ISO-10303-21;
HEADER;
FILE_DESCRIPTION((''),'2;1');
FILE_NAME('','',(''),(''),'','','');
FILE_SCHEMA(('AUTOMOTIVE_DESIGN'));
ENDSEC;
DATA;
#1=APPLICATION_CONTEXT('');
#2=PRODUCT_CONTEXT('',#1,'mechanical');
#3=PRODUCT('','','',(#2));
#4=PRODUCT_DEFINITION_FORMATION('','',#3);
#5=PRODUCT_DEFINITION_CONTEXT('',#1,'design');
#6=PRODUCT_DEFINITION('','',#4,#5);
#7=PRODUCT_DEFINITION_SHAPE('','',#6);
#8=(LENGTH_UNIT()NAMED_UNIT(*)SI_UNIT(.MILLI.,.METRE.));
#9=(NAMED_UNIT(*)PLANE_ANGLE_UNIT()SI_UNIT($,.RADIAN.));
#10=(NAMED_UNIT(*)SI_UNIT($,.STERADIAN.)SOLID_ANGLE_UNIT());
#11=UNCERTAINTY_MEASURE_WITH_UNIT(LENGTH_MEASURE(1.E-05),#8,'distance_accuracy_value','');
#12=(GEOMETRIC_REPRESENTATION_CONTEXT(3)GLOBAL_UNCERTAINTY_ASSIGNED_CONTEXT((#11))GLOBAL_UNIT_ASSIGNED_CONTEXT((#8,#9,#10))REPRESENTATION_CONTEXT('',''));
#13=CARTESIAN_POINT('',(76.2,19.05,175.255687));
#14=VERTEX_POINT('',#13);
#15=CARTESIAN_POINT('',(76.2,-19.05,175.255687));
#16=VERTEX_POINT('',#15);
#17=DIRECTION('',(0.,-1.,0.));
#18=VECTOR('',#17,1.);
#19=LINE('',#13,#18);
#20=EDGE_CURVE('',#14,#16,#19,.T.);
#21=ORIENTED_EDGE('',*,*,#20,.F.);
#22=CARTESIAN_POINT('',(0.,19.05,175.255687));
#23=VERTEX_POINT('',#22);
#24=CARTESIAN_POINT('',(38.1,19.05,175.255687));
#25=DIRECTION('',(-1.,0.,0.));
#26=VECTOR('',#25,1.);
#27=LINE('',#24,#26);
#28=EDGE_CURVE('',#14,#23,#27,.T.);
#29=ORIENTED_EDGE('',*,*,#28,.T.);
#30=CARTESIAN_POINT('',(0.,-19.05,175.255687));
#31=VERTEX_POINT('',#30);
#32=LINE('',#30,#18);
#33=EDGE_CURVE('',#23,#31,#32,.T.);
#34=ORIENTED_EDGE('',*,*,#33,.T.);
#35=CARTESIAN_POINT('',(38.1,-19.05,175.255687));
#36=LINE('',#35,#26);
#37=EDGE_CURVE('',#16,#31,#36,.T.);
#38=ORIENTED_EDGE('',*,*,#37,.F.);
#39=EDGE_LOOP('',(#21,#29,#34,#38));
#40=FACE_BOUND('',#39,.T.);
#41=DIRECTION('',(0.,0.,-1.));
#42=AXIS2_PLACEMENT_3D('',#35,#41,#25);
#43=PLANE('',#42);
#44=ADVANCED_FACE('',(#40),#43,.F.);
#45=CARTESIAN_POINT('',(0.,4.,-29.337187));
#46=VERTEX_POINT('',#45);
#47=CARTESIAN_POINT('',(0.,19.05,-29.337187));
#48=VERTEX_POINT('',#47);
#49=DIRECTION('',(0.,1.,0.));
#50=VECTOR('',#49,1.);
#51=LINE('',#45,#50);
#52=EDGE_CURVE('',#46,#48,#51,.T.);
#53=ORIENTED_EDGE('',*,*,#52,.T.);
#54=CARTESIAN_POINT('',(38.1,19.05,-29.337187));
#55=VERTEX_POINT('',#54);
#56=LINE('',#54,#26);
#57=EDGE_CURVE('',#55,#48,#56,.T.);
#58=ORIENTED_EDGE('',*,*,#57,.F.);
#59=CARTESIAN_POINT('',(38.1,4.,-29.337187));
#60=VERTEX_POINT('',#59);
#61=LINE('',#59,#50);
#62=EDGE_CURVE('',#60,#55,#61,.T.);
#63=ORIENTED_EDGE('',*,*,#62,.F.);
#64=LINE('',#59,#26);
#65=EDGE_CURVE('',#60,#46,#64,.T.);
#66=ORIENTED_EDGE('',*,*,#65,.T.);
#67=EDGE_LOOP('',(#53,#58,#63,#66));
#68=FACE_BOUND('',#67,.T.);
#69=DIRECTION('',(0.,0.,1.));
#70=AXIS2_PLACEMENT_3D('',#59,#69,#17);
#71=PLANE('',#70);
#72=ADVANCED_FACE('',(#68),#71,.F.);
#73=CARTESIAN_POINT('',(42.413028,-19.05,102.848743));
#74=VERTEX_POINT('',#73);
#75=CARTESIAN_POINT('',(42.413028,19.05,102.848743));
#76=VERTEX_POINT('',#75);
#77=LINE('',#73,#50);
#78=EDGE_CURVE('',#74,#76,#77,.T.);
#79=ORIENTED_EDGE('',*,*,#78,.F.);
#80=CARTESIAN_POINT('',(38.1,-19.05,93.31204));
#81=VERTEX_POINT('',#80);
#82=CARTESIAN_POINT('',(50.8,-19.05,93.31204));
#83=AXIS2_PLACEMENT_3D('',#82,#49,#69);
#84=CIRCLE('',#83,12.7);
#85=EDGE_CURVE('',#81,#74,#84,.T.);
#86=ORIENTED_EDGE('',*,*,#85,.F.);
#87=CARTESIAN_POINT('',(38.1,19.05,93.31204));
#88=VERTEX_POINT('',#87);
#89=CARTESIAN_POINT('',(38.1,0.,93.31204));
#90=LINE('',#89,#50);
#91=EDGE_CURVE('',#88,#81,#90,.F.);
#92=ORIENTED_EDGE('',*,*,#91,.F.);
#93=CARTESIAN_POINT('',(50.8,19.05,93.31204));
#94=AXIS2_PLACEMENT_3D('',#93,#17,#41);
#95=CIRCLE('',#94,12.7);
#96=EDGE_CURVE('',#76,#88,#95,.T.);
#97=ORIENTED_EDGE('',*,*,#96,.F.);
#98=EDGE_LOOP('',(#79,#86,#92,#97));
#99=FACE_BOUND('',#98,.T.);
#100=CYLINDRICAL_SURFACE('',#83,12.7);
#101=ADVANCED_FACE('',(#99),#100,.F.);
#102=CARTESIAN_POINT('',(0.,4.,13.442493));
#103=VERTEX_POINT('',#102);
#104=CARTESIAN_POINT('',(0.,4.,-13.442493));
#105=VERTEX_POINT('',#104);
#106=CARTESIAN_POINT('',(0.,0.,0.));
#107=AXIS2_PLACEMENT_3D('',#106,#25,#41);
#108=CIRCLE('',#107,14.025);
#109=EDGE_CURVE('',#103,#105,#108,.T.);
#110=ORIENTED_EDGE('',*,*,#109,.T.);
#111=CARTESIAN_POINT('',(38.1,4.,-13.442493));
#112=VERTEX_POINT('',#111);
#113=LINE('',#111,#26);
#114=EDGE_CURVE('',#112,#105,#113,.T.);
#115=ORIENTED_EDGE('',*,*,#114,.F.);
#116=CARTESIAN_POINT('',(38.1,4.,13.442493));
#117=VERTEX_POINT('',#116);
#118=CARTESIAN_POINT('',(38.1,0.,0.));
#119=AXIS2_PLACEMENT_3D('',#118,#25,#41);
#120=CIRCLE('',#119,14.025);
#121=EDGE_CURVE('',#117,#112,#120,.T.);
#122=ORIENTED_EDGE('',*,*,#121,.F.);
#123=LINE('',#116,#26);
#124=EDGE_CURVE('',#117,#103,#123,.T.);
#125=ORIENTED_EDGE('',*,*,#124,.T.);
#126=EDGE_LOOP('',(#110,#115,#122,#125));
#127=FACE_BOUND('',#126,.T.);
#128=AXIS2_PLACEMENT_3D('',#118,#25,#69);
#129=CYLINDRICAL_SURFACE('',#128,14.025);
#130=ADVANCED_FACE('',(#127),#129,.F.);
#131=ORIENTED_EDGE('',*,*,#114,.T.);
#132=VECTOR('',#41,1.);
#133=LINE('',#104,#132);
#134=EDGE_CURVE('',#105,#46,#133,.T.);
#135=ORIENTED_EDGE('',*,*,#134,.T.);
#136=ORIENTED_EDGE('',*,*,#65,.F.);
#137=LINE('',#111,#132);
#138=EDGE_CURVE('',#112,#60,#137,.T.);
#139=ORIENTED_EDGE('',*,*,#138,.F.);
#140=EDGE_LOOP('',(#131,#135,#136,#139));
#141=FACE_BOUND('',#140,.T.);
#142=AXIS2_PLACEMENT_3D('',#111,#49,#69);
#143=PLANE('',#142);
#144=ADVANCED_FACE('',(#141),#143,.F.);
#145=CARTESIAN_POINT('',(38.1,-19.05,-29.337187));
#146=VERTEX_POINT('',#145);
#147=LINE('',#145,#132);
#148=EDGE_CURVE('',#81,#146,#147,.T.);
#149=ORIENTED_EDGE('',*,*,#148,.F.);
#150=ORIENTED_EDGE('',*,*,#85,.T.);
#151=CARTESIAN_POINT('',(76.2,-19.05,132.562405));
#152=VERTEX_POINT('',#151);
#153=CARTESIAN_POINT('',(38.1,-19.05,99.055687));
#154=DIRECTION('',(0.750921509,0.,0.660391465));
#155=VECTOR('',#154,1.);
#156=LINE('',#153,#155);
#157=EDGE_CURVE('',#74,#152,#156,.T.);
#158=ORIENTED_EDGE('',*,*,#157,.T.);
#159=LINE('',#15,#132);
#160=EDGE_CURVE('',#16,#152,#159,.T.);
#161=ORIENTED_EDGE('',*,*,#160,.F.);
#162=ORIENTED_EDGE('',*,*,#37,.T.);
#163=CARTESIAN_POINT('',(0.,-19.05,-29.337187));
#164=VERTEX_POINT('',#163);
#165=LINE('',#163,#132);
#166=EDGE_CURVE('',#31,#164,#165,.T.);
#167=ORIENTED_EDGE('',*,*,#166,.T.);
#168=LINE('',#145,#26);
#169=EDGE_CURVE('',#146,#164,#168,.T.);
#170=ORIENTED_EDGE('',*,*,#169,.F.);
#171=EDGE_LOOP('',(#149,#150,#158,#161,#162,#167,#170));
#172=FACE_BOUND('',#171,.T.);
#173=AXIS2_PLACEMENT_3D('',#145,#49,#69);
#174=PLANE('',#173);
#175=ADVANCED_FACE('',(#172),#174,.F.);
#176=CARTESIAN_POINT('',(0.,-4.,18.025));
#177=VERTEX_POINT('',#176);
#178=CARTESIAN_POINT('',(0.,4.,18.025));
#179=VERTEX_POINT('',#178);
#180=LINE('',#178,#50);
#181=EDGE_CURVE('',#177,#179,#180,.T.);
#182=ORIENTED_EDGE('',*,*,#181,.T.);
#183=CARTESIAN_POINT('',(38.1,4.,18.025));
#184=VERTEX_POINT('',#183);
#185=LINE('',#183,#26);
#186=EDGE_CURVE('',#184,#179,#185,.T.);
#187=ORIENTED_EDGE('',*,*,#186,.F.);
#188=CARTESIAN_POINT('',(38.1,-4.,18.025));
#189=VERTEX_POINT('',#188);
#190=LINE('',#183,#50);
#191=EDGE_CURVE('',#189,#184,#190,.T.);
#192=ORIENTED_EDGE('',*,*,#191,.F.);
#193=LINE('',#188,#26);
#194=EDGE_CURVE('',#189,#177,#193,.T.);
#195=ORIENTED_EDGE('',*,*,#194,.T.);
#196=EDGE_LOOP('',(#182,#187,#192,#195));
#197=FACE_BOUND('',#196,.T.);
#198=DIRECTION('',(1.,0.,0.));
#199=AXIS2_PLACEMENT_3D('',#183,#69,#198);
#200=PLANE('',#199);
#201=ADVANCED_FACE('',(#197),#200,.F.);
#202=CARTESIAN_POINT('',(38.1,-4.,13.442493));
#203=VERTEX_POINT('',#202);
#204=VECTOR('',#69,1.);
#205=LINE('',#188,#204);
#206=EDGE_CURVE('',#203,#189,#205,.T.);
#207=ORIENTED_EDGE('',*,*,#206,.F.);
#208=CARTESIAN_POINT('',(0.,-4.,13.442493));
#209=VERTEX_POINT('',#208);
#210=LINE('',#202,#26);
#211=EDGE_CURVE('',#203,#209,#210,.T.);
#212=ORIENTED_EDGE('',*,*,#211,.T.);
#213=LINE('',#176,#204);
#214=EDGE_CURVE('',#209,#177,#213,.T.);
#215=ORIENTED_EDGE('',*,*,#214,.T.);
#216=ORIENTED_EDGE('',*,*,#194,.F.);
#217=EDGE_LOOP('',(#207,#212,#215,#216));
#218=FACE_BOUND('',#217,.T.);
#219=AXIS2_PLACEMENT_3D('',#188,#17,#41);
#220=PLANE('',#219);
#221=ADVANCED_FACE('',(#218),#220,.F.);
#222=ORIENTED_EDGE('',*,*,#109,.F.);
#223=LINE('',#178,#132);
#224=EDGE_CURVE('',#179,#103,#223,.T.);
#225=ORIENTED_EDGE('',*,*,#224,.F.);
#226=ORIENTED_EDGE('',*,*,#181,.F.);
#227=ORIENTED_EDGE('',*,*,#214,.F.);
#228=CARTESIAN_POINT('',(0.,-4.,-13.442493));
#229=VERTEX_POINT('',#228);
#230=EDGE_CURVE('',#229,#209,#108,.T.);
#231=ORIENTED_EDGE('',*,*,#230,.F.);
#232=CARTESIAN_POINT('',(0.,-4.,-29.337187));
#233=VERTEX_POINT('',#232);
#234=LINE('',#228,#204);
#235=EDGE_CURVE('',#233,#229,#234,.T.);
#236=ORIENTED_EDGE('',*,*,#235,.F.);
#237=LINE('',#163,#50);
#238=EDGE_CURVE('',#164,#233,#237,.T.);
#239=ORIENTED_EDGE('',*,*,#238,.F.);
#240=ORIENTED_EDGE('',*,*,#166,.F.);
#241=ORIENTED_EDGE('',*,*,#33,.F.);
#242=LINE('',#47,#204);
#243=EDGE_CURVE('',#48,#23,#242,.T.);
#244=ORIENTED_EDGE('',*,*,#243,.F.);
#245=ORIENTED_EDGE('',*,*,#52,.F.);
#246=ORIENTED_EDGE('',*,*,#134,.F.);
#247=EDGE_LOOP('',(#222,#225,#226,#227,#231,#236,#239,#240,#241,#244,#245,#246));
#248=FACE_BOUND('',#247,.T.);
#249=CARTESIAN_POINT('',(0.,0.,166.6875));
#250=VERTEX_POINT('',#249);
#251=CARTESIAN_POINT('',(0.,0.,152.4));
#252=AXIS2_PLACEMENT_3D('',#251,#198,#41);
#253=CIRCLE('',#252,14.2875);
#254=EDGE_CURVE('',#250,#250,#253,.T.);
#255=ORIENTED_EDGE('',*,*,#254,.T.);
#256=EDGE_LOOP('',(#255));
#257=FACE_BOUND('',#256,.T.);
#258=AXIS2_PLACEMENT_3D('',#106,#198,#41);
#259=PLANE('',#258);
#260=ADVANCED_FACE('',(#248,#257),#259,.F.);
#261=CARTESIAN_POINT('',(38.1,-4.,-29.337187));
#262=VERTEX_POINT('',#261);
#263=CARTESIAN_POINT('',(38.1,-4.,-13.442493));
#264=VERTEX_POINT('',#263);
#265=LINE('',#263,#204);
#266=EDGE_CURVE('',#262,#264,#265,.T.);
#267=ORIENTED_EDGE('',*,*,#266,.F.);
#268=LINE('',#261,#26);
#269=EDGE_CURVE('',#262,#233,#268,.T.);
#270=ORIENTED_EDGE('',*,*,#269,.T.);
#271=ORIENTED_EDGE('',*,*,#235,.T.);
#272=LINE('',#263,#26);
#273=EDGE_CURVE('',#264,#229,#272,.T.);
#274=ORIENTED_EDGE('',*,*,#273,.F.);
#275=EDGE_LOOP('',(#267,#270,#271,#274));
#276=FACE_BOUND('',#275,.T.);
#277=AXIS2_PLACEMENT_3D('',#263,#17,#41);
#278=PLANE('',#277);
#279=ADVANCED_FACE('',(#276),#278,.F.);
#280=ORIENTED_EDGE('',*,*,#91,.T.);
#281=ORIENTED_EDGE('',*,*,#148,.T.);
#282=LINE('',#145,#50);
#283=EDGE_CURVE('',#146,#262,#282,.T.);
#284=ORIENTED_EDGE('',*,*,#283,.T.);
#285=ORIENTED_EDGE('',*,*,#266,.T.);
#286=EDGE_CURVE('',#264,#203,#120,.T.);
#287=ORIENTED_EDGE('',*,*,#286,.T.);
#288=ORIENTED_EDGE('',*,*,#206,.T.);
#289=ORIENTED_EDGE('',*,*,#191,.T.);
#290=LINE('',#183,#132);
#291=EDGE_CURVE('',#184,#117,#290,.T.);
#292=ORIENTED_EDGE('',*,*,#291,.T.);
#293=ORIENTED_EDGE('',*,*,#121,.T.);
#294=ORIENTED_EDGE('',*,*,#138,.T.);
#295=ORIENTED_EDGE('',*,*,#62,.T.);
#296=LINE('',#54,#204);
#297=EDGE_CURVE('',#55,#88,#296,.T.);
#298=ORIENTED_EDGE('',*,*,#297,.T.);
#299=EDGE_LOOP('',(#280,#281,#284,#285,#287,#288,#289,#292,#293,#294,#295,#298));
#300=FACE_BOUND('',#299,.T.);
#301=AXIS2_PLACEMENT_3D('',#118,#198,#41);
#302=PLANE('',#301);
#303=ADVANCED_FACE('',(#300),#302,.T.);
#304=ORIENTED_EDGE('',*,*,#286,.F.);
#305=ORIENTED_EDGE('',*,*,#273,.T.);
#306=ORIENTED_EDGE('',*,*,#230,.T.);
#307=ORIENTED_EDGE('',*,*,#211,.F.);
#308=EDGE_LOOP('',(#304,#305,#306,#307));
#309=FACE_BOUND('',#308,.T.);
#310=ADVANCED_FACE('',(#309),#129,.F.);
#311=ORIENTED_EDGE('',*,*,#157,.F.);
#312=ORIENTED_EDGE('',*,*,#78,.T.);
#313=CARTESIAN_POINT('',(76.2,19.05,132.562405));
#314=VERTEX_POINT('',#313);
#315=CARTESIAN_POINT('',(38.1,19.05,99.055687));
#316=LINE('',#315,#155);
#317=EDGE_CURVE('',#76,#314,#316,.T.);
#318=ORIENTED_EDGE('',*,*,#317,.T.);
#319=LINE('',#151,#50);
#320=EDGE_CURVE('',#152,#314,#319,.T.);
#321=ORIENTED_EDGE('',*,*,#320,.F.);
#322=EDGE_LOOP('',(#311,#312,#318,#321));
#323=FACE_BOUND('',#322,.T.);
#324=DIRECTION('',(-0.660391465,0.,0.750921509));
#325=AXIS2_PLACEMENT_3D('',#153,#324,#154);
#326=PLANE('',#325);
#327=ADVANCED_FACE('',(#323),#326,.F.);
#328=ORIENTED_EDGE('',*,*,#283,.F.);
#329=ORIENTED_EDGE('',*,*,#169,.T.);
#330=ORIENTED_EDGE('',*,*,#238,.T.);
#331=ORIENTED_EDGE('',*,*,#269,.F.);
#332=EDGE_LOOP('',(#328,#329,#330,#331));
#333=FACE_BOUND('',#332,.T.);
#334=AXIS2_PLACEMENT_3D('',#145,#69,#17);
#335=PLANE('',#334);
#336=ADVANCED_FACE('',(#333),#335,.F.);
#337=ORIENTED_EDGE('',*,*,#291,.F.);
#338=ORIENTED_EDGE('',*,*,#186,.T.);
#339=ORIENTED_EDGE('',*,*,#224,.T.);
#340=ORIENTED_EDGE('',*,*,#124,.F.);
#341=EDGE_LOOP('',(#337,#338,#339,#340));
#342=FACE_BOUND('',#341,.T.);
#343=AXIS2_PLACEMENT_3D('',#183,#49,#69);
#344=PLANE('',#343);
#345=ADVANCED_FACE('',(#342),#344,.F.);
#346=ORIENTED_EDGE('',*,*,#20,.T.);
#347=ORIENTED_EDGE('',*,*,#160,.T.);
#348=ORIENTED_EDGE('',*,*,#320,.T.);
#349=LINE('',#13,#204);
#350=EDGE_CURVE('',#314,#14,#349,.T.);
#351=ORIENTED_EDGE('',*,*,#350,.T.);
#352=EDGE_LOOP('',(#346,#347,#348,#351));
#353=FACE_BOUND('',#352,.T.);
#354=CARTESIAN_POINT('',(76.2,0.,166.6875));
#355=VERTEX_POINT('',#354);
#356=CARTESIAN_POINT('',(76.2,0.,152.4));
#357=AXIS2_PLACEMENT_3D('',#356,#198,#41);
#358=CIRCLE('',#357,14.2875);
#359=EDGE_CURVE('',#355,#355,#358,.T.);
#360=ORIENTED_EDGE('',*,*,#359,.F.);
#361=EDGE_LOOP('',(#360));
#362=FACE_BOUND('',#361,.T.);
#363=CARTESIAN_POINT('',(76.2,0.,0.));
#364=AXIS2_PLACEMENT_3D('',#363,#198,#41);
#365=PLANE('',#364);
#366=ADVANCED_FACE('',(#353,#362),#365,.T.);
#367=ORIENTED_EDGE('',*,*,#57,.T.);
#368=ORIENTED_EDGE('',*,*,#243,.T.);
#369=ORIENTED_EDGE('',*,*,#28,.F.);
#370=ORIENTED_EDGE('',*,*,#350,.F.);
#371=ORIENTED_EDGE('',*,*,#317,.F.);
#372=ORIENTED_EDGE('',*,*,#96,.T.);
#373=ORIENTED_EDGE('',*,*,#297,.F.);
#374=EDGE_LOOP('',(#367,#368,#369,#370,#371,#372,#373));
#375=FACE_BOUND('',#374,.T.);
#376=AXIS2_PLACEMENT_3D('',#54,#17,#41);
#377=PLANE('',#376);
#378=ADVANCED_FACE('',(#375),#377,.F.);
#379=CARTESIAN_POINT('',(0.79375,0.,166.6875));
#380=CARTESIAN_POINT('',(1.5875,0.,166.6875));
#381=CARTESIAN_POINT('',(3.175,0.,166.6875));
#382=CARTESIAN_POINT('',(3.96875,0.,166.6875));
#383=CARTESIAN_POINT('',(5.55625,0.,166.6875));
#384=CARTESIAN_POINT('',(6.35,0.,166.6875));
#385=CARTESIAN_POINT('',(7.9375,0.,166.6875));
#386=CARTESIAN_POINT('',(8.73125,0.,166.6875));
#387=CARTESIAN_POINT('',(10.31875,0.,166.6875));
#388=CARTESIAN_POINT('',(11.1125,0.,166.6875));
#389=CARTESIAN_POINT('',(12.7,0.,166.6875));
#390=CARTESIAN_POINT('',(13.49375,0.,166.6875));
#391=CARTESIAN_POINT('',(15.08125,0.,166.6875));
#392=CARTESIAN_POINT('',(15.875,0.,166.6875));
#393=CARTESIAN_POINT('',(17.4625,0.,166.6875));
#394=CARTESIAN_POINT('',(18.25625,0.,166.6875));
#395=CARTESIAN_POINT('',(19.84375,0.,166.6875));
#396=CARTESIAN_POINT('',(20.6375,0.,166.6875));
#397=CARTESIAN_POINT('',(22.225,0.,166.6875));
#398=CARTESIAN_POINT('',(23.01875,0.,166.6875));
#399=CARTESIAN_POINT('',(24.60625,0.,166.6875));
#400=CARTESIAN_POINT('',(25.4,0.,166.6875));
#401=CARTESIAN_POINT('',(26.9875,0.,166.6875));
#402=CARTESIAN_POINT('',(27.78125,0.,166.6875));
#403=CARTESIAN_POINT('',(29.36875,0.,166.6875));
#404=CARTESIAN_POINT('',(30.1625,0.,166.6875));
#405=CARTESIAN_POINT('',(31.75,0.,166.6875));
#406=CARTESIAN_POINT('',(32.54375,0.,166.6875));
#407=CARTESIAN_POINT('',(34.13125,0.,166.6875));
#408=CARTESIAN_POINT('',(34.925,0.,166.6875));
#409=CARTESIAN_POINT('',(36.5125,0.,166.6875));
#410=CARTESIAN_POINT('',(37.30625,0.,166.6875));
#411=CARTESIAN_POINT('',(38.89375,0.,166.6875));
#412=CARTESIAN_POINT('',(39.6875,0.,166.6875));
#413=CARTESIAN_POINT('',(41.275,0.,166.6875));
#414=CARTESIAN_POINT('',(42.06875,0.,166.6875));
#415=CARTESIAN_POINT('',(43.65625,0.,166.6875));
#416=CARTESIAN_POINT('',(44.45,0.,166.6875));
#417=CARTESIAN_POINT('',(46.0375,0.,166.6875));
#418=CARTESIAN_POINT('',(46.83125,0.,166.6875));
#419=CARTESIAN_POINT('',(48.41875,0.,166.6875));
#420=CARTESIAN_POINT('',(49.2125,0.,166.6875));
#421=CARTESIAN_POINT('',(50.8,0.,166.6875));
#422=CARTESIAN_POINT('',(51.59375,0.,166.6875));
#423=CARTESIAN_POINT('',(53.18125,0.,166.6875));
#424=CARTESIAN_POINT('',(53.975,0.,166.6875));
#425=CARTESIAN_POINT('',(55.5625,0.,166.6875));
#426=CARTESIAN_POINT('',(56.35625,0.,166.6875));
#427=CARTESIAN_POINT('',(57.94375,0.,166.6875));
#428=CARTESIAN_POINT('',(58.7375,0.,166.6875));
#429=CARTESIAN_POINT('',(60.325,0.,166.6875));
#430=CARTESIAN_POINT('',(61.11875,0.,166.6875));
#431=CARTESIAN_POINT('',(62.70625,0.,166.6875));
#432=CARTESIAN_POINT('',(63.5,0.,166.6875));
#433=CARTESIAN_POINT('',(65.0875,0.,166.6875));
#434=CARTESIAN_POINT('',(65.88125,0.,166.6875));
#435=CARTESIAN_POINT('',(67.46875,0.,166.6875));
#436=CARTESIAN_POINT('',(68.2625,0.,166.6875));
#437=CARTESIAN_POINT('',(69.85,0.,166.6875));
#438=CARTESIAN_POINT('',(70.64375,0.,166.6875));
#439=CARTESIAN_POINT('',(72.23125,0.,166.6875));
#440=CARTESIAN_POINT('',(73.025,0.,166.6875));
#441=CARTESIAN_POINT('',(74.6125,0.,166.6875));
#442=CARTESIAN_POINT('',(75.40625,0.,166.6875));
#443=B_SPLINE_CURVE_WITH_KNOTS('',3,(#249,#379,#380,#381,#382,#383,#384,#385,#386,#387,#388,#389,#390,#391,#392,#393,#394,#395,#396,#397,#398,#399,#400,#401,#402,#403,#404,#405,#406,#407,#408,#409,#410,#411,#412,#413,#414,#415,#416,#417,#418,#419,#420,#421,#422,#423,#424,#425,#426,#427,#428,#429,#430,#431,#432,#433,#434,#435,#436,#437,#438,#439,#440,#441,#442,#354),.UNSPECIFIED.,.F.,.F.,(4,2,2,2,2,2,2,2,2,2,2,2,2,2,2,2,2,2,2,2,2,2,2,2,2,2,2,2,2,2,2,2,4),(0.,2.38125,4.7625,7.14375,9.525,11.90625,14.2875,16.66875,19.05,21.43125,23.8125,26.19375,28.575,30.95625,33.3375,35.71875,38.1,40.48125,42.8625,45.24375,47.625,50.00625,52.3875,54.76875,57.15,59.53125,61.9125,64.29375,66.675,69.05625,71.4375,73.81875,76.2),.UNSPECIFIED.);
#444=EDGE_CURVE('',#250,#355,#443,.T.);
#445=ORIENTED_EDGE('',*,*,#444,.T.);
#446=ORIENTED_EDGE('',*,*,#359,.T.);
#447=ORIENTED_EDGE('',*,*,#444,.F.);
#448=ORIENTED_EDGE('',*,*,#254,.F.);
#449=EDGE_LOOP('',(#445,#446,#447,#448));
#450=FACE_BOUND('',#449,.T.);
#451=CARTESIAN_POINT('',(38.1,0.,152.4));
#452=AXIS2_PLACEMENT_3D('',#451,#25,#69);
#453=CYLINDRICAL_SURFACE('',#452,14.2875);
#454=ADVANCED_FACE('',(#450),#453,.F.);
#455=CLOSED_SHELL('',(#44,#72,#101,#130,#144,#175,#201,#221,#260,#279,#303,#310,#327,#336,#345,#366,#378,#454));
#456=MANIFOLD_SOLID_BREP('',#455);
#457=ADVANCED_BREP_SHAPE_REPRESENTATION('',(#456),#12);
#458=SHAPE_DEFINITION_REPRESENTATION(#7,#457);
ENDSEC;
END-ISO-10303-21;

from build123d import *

# Parameters (mm, degrees)
SKETCH1_R           = 14.2875
BOSS_EXTRUDE1_DEPTH = 38.1
SKETCH2_W           = 76.2
SKETCH2_H           = 38.1
SKETCH2_R           = 14.2875
BOSS_EXTRUDE2_DEPTH = 38.1
CUT_EXTRUDE1_DEPTH  = 38.1
FILLET1_R           = 12.7


with BuildPart() as part:
    # Sketch1 → Boss-Extrude1 (new body)
    with BuildSketch(Plane(origin=(0, 0, 0), x_dir=(0, 0, -1), z_dir=(1, 0, 0))):
        with BuildLine():
            Line((29.337186502, -19.05), (-175.255687154, -19.05))
            Line((-175.255687154, -19.05), (-175.255687154, 19.05))
            Line((-175.255687154, 19.05), (29.337186502, 19.05))
            Line((29.337186502, 19.05), (29.337186502, 4))
            Line((29.337186502, 4), (13.442493258, 4))
            ThreePointArc((13.442493258, 4), (0, 14.025), (-13.442493258, 4))
            Line((-13.442493258, 4), (-18.025, 4))
            Line((-18.025, 4), (-18.025, -4))
            Line((-18.025, -4), (-13.442493258, -4))
            ThreePointArc((-13.442493258, -4), (0, -14.025), (13.442493258, -4))
            Line((13.442493258, -4), (29.337186502, -4))
            Line((29.337186502, -4), (29.337186502, -19.05))
        make_face()
        with Locations(Location((-152.4, 0, 0), (0, 0, 180))):
            Circle(SKETCH1_R, mode=Mode.SUBTRACT)
    extrude(amount=BOSS_EXTRUDE1_DEPTH)

    # Sketch2 → Boss-Extrude2 (add)
    with BuildSketch(Plane(origin=(38.1, 0, 0), x_dir=(0, 0, -1), z_dir=(1, 0, 0))):
        with Locations((-137.155687154, 0)):
            Rectangle(SKETCH2_W, SKETCH2_H)
        with Locations(Location((-152.4, 0, 0), (0, 0, 180))):
            Circle(SKETCH2_R, mode=Mode.SUBTRACT)
    extrude(amount=BOSS_EXTRUDE2_DEPTH)

    # Sketch3 → Cut-Extrude1 (cut)
    with BuildSketch(Plane(origin=(0, 19.05, 0), x_dir=(1, 0, 0), z_dir=(0, 1, 0))):
        Polygon((38.1, -99.055687154), (76.2, -132.562404594), (94.277321555, -84.449227978), align=None)
    extrude(amount=-CUT_EXTRUDE1_DEPTH, mode=Mode.SUBTRACT)

    # Fillet1
    fillet1_edges = [part.edges().sort_by_distance(p)[0] for p in [
        (38.1, 0, 99.055687154),
    ]]
    fillet(fillet1_edges, radius=FILLET1_R)


solid = part.part
